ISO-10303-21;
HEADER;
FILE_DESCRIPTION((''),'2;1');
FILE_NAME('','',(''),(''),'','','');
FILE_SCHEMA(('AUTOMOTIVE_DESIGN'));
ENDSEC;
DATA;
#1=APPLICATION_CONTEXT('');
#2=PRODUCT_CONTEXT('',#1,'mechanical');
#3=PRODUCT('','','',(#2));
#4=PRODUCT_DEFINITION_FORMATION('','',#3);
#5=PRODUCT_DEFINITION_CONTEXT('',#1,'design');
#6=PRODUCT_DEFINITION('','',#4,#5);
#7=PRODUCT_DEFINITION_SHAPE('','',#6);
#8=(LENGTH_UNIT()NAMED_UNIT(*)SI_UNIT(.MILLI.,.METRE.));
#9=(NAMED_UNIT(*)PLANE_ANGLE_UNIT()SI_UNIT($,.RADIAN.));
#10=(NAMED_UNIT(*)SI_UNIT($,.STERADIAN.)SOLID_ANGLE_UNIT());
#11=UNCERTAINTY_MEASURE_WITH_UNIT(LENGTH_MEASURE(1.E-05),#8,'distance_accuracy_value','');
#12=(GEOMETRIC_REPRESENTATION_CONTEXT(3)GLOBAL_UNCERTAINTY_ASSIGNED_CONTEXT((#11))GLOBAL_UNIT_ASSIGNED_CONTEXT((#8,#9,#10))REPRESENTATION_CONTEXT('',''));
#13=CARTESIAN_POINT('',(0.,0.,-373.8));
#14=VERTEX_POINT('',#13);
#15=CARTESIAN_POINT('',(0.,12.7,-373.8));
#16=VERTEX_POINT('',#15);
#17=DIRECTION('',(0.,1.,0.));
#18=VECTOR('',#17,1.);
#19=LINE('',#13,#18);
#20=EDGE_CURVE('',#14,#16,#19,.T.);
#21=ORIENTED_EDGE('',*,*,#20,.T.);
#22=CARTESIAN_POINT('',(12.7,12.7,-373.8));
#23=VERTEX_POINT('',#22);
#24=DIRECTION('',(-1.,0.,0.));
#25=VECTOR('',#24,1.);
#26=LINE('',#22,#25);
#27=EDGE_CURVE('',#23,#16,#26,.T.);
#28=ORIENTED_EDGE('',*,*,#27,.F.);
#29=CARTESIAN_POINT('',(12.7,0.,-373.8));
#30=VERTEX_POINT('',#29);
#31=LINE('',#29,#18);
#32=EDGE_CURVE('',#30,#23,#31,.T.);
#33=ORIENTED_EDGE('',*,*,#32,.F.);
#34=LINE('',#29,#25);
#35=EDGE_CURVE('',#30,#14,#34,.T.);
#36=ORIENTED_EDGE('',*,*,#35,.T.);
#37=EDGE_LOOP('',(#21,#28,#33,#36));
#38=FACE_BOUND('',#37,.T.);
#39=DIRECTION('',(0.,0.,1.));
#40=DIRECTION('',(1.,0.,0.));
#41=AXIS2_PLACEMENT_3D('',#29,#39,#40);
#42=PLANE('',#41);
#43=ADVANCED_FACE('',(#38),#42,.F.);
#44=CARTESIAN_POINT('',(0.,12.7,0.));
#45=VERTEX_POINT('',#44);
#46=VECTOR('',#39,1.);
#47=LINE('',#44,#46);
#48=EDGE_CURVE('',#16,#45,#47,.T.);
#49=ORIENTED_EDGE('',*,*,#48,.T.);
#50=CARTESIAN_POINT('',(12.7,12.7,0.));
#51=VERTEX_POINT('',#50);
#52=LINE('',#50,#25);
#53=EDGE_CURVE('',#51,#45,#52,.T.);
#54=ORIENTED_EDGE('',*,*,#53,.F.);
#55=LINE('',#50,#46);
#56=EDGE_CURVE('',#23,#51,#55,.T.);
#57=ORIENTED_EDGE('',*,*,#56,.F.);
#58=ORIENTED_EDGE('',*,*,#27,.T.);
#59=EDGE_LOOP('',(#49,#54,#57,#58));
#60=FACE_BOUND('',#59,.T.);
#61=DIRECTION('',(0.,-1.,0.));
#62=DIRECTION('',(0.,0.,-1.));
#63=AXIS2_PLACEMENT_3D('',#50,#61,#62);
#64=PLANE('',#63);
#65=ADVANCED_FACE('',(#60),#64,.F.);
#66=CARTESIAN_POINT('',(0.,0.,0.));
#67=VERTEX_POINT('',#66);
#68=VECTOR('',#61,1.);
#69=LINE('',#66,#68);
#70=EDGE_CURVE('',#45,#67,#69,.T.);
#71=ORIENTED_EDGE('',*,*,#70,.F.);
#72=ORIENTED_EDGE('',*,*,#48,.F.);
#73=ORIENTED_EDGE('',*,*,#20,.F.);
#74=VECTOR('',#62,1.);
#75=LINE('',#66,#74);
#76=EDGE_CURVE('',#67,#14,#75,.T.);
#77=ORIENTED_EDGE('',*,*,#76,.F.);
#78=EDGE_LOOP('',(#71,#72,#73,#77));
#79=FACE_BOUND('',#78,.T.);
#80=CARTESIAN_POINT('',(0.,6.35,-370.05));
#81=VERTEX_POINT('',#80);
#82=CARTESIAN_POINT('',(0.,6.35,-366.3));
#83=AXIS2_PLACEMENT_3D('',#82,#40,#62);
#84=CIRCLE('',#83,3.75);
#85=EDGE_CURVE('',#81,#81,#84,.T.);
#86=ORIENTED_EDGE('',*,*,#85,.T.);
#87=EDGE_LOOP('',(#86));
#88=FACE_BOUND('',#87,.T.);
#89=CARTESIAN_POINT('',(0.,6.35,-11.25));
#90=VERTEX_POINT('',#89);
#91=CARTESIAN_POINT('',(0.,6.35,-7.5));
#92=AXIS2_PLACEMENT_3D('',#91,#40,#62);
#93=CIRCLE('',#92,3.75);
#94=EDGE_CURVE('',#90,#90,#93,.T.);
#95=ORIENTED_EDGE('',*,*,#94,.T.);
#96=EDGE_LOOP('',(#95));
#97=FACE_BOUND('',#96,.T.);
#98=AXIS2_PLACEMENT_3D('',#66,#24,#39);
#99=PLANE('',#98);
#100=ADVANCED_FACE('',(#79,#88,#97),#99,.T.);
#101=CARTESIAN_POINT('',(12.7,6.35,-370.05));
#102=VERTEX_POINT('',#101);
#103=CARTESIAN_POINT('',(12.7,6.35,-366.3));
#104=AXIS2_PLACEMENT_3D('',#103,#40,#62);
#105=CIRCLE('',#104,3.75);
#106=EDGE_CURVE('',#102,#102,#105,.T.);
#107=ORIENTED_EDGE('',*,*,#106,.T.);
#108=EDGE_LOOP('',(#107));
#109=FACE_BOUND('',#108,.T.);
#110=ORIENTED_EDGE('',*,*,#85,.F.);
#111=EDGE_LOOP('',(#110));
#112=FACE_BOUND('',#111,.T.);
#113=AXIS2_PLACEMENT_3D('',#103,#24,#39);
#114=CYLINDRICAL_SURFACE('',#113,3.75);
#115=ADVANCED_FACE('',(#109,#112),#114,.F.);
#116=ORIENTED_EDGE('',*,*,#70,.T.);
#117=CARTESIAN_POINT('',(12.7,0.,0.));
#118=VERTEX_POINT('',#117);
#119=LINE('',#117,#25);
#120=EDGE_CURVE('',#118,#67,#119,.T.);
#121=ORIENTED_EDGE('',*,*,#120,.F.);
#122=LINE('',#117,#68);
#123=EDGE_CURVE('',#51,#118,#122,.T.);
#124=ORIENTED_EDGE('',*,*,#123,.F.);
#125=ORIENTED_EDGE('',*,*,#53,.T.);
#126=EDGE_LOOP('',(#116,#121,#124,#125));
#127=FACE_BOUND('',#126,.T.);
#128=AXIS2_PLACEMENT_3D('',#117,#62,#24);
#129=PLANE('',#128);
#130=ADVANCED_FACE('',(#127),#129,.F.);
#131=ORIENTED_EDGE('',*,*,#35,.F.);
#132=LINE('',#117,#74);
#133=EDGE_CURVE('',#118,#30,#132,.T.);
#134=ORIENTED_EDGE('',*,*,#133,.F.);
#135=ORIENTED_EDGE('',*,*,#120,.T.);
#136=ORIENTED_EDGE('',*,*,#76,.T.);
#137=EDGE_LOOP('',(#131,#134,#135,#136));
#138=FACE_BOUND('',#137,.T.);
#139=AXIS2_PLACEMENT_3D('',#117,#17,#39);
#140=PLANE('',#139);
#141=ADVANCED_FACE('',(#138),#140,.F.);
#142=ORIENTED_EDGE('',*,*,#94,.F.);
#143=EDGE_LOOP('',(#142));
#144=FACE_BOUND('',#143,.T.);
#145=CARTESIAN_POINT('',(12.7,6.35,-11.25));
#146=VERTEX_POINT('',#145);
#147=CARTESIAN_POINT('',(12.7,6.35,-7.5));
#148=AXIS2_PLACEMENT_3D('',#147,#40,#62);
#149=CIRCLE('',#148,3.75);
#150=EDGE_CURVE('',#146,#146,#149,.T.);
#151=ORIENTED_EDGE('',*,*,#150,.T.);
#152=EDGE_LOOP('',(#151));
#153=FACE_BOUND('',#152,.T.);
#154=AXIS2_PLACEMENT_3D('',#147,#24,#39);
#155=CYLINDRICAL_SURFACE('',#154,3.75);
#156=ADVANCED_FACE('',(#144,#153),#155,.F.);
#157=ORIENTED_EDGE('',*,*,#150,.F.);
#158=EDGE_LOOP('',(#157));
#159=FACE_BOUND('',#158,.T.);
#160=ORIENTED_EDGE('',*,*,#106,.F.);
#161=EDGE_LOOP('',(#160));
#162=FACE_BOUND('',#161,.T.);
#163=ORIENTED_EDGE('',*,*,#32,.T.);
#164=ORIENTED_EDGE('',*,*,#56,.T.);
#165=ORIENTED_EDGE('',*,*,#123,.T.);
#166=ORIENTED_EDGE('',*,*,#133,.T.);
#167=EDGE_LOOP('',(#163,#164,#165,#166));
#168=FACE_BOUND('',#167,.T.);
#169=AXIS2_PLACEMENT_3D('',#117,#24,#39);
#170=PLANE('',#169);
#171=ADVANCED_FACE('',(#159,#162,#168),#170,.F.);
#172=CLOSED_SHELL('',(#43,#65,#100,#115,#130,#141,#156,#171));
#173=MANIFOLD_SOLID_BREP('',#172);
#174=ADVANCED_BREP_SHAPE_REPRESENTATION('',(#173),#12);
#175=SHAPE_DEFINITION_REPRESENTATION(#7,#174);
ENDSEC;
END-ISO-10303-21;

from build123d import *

# Parameters (mm, degrees)
SKETCH1_W           = 373.8
SKETCH1_H           = 12.7
SKETCH1_R           = 3.75
BOSS_EXTRUDE1_DEPTH = 12.7


with BuildPart() as part:
    # Sketch1 → Boss-Extrude1 (new body)
    with BuildSketch(Plane(origin=(0, 0, 0), x_dir=(0, 0, -1), z_dir=(1, 0, 0))):
        with Locations((186.9, 6.35)):
            Rectangle(SKETCH1_W, SKETCH1_H)
        with Locations((7.5, 6.35)):
            Circle(SKETCH1_R, mode=Mode.SUBTRACT)
        with Locations((366.3, 6.35)):
            Circle(SKETCH1_R, mode=Mode.SUBTRACT)
    extrude(amount=BOSS_EXTRUDE1_DEPTH)


solid = part.part
